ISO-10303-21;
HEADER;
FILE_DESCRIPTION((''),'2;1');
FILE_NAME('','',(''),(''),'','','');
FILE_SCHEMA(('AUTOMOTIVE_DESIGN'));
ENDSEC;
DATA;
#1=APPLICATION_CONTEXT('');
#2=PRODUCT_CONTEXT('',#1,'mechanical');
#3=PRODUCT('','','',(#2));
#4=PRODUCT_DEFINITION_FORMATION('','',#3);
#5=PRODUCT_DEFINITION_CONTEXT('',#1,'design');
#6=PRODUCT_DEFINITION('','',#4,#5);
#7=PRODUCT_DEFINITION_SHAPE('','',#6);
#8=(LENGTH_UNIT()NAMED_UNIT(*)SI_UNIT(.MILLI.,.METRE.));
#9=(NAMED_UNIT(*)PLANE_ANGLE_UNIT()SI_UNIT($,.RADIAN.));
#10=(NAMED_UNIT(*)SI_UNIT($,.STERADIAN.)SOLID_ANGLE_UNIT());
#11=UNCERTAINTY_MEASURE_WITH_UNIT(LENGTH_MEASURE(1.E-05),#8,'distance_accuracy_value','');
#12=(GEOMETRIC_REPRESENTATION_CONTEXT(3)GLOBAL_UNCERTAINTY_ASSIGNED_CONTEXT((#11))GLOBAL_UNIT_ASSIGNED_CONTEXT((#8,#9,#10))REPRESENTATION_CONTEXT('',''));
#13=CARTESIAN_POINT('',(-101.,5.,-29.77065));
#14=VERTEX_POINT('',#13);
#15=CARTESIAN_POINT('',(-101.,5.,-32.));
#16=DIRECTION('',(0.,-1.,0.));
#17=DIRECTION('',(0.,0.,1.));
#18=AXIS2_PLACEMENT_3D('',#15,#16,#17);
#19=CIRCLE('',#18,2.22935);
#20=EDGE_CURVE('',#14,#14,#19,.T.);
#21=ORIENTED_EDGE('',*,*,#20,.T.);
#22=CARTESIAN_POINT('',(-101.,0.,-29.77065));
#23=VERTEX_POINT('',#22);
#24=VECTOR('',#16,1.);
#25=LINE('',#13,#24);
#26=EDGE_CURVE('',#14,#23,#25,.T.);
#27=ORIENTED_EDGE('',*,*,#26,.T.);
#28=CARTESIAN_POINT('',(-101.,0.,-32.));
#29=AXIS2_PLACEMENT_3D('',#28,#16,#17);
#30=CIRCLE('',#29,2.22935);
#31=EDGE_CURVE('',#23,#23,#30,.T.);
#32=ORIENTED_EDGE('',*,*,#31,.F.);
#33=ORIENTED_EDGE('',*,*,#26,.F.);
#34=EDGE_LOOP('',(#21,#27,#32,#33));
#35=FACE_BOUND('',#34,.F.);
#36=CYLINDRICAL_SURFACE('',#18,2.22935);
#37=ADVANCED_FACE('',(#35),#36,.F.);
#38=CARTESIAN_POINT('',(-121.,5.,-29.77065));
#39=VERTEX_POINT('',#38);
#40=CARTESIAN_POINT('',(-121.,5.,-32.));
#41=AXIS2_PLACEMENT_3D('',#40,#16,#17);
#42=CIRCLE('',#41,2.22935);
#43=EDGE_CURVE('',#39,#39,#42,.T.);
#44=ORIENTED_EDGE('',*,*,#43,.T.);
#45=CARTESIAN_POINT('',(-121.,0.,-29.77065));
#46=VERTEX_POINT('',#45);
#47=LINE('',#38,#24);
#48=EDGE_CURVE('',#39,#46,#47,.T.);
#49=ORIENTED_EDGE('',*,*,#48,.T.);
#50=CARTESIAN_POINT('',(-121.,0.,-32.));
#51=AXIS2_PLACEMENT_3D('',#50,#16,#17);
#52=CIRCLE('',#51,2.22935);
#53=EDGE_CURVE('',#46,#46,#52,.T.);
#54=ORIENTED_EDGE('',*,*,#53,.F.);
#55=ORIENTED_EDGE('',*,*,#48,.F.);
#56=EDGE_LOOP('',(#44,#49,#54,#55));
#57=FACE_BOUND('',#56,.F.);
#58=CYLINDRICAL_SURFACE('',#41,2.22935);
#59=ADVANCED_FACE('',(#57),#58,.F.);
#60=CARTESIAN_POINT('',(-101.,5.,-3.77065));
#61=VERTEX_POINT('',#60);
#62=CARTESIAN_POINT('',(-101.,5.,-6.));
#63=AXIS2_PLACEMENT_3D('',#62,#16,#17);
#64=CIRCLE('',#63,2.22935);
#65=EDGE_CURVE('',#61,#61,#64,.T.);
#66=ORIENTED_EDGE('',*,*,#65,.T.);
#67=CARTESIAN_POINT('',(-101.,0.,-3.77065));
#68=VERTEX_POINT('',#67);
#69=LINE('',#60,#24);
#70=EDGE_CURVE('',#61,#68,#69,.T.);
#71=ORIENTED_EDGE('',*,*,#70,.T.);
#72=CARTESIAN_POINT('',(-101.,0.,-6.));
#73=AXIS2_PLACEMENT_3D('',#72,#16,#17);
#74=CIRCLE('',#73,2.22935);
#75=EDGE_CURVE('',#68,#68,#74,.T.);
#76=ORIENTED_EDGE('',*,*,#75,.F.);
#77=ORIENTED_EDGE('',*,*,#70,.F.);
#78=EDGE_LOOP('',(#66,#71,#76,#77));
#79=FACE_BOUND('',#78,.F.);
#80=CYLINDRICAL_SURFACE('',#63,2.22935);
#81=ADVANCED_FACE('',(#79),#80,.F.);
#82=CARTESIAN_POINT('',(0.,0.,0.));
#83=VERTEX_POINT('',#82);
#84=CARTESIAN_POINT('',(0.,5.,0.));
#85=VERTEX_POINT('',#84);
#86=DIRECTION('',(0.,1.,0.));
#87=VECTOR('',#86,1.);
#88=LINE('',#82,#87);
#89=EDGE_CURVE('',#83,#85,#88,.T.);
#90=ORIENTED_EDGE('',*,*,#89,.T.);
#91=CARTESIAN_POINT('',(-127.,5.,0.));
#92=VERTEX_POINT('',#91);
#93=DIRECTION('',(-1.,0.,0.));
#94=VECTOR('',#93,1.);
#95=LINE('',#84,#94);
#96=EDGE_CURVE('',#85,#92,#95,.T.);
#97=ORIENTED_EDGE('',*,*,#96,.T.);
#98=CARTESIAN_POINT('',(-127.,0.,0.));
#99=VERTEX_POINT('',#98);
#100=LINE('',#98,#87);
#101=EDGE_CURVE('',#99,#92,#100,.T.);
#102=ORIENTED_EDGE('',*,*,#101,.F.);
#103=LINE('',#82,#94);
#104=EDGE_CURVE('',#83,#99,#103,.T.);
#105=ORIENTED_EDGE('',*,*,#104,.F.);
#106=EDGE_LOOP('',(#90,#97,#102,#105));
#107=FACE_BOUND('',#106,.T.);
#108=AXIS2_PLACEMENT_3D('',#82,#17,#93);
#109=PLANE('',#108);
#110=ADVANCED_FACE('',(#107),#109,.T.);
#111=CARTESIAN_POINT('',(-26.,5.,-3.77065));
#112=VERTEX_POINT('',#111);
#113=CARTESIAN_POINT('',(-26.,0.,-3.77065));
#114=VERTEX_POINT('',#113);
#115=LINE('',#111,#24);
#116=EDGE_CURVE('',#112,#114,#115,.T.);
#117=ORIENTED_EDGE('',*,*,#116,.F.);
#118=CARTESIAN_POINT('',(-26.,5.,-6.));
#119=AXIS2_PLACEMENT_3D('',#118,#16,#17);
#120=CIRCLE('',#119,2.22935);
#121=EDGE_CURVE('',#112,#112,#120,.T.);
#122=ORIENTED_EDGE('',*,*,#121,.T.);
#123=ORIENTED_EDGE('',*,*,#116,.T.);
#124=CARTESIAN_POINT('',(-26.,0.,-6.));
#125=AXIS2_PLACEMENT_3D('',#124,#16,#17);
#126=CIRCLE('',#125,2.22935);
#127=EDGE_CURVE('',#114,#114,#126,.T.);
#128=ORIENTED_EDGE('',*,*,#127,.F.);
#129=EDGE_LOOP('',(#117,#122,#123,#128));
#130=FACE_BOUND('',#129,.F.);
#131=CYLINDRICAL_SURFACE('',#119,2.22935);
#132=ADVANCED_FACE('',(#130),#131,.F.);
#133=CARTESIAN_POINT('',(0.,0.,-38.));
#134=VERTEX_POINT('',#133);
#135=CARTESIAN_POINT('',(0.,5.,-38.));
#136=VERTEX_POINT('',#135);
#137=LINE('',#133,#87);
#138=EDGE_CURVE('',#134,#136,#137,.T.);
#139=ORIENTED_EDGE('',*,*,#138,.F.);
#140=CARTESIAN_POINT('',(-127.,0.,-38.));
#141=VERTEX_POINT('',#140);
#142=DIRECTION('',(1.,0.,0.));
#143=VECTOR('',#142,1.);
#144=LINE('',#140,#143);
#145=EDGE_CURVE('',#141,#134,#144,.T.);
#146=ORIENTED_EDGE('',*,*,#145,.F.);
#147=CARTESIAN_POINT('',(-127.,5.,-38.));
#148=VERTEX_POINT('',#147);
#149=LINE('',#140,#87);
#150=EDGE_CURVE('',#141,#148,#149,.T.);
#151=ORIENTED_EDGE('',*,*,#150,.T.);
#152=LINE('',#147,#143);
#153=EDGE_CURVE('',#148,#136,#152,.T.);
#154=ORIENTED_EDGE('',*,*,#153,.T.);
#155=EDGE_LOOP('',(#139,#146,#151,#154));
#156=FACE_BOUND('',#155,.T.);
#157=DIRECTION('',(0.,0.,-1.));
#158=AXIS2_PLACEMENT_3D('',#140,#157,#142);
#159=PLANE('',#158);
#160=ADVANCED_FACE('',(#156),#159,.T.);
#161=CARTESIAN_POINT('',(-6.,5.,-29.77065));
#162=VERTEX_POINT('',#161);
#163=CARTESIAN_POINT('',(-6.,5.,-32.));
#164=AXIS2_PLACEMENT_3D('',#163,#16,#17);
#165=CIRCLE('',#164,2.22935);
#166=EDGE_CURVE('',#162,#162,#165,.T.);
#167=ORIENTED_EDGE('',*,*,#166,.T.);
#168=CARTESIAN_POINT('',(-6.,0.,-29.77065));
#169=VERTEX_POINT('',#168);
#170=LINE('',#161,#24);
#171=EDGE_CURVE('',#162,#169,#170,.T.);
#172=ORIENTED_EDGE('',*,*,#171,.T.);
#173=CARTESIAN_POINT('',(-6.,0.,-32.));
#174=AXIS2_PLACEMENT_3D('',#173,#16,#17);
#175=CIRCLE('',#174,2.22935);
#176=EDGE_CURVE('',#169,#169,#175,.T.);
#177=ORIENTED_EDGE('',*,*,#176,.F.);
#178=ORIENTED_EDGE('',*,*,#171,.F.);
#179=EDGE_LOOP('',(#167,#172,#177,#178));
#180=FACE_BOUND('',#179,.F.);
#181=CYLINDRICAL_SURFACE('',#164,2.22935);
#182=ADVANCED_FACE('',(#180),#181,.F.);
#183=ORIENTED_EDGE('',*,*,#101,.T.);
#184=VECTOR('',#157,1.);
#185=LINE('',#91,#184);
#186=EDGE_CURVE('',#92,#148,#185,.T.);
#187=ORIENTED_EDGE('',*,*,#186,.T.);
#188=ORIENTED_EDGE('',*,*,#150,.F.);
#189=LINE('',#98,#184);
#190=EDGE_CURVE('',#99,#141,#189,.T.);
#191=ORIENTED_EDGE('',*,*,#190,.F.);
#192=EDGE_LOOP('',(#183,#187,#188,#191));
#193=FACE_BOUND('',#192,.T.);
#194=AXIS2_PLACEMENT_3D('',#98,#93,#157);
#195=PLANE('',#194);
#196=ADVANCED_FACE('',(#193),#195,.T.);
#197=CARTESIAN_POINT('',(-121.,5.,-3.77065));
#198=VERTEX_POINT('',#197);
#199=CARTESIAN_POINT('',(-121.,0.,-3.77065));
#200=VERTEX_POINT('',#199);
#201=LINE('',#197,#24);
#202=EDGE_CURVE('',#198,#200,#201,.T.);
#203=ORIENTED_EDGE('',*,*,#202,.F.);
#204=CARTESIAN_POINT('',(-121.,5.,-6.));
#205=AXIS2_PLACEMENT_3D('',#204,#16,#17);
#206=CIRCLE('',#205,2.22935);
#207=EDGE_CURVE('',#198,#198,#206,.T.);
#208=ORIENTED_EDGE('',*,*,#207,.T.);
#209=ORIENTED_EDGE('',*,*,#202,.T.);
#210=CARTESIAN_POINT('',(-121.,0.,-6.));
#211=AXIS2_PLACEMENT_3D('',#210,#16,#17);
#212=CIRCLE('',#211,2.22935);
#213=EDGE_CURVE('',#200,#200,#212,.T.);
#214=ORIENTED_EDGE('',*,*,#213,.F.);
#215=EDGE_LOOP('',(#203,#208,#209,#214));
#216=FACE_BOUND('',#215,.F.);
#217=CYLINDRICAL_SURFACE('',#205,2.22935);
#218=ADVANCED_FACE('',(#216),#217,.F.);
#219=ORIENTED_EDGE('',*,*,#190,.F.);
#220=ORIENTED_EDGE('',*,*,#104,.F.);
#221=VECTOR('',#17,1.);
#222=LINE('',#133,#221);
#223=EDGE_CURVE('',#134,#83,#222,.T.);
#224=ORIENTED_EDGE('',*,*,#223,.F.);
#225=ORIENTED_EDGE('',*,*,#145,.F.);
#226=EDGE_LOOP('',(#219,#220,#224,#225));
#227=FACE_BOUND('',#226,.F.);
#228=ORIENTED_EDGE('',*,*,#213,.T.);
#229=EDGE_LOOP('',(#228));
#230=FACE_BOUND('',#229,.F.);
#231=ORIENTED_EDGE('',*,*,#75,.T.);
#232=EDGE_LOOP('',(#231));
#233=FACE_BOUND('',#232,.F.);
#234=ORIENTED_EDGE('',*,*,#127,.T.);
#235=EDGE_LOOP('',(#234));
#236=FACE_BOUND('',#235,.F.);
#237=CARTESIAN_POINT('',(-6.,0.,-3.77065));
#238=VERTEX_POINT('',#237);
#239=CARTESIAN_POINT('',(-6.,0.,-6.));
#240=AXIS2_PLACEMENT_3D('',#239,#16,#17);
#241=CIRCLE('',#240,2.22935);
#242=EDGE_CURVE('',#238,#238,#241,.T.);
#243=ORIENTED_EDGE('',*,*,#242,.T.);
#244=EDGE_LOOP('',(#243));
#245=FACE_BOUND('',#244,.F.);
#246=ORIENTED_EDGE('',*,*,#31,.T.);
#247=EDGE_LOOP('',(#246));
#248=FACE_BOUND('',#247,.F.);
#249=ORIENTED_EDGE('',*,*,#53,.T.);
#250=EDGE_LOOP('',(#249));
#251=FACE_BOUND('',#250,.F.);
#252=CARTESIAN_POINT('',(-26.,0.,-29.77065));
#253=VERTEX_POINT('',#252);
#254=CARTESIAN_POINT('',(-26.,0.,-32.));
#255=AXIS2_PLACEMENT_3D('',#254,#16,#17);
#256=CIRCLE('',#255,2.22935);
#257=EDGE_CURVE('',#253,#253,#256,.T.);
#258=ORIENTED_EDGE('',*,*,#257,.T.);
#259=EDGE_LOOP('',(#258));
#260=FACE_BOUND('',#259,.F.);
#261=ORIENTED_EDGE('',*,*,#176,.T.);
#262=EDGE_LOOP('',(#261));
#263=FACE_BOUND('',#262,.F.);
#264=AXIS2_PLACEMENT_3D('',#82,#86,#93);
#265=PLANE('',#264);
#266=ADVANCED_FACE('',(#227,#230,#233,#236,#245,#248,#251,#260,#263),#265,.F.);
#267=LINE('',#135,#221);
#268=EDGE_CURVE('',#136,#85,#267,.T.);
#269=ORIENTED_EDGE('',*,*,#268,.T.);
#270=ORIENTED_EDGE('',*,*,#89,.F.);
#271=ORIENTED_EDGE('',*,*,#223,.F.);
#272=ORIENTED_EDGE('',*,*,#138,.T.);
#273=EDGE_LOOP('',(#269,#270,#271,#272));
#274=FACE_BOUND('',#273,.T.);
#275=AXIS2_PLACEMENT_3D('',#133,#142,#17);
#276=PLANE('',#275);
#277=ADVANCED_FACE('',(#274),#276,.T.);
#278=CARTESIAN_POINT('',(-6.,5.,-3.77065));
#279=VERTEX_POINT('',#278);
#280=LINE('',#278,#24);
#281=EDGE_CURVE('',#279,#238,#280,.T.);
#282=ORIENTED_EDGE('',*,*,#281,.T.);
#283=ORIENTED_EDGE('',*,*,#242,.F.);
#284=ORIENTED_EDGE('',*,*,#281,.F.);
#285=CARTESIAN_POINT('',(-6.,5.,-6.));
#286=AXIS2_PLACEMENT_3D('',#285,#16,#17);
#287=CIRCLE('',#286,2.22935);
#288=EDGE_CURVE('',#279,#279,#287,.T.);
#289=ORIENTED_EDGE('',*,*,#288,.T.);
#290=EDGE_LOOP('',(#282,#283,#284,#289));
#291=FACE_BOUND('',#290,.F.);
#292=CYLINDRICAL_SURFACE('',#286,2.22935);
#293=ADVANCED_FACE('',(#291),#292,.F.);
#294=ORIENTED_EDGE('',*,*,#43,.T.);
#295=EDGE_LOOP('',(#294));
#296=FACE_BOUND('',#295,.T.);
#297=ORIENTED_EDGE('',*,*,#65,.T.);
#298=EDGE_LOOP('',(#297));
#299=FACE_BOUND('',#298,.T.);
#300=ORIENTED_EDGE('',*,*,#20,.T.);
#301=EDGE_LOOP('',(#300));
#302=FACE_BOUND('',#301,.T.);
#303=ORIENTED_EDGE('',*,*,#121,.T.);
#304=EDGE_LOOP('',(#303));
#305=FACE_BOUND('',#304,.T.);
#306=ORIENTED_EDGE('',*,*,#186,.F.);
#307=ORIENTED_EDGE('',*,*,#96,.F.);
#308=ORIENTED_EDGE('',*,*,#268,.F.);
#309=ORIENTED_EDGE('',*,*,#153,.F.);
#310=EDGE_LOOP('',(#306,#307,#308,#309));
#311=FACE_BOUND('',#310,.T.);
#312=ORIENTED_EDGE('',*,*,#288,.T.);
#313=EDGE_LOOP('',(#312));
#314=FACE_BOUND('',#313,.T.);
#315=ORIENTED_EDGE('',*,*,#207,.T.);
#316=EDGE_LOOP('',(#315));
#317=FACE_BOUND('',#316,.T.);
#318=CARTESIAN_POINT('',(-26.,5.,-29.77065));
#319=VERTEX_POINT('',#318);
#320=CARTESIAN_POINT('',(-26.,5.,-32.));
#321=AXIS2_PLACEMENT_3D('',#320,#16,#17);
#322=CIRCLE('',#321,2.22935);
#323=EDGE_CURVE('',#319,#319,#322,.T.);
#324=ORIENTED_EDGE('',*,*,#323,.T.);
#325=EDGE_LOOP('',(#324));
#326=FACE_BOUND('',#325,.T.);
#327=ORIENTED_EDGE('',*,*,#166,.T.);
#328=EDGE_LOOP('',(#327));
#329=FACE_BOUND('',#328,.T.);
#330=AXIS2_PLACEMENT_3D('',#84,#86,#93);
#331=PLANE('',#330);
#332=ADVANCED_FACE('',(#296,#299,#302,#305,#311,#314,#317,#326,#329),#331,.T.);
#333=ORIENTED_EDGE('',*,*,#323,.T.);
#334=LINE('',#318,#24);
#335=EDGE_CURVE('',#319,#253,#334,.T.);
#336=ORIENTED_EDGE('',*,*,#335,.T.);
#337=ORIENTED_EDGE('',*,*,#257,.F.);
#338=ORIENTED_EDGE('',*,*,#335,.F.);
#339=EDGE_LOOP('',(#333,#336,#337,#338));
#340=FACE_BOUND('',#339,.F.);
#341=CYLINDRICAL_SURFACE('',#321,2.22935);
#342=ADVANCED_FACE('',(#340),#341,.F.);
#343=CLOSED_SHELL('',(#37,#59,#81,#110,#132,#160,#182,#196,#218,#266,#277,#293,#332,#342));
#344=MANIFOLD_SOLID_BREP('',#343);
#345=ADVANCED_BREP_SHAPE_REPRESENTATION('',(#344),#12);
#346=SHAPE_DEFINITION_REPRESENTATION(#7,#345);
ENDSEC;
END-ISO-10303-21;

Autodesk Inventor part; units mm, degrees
ref_plane "YZ Plane" through (0, 0, 0) normal (1, 0, 0) x (0, 1, 0)
ref_plane "XZ Plane" through (0, 0, 0) normal (0, 1, 0) x (-1, 0, 0)
ref_plane "XY Plane" through (0, 0, 0) normal (0, 0, 1) x (1, 0, 0)
sketch "Boceto1" plane through (0, 0, 0) normal (0, 1, 0) x (-1, 0, 0)
  line L0 (0, 0) -> (127, 0)
  line L1 (127, 0) -> (127, -38)
  line L2 (127, -38) -> (0, -38)
  line L3 (0, -38) -> (0, 0)
  dimension "d0" = 127
  dimension "d1" = 38
extrude "Extrusión1" add sketch "Boceto1" along normal blind 5
sketch "Boceto2" plane through (0, 5, 0) normal (0, 1, 0) x (1, 0, 0)
  line L0 (-127, 38) -> (-127, 0) projected
  line L1 (0, 38) -> (-127, 38) projected
  line L2 (0, 0) -> (0, 38) projected
  line L3 (-127, 0) -> (0, 0) projected
  point P0 (-121, 6)
  point P1 (-101, 6)
  point P2 (-101, 32)
  point P3 (-121, 32)
  point P4 (-26, 6)
  point P5 (-6, 6)
  point P6 (-26, 32)
  point P7 (-6, 32)
  dimension "d4" = 6
  dimension "d5" = 6
  dimension "d6" = 6
  dimension "d7" = 6
  dimension "d8" = 6
  dimension "d9" = 6
  dimension "d10" = 20
  dimension "d11" = 20
  dimension "d12" = 6
hole "Agujero1" at (-121, 5, -6) at (-101, 5, -6) at (-101, 5, -32) at (-121, 5, -32) at (-26, 5, -6) at (-6, 5, -6) at (-26, 5, -32) at (-6, 5, -32) direction (0, -1, 0) diameter 4.4587 depth 40 tip angle 118 thread size "M5x0.5" class "6H" standard "ANSI Metric M Profile"
properties part number "Placa_soporte_chumasera" material "Aluminio 6061"
